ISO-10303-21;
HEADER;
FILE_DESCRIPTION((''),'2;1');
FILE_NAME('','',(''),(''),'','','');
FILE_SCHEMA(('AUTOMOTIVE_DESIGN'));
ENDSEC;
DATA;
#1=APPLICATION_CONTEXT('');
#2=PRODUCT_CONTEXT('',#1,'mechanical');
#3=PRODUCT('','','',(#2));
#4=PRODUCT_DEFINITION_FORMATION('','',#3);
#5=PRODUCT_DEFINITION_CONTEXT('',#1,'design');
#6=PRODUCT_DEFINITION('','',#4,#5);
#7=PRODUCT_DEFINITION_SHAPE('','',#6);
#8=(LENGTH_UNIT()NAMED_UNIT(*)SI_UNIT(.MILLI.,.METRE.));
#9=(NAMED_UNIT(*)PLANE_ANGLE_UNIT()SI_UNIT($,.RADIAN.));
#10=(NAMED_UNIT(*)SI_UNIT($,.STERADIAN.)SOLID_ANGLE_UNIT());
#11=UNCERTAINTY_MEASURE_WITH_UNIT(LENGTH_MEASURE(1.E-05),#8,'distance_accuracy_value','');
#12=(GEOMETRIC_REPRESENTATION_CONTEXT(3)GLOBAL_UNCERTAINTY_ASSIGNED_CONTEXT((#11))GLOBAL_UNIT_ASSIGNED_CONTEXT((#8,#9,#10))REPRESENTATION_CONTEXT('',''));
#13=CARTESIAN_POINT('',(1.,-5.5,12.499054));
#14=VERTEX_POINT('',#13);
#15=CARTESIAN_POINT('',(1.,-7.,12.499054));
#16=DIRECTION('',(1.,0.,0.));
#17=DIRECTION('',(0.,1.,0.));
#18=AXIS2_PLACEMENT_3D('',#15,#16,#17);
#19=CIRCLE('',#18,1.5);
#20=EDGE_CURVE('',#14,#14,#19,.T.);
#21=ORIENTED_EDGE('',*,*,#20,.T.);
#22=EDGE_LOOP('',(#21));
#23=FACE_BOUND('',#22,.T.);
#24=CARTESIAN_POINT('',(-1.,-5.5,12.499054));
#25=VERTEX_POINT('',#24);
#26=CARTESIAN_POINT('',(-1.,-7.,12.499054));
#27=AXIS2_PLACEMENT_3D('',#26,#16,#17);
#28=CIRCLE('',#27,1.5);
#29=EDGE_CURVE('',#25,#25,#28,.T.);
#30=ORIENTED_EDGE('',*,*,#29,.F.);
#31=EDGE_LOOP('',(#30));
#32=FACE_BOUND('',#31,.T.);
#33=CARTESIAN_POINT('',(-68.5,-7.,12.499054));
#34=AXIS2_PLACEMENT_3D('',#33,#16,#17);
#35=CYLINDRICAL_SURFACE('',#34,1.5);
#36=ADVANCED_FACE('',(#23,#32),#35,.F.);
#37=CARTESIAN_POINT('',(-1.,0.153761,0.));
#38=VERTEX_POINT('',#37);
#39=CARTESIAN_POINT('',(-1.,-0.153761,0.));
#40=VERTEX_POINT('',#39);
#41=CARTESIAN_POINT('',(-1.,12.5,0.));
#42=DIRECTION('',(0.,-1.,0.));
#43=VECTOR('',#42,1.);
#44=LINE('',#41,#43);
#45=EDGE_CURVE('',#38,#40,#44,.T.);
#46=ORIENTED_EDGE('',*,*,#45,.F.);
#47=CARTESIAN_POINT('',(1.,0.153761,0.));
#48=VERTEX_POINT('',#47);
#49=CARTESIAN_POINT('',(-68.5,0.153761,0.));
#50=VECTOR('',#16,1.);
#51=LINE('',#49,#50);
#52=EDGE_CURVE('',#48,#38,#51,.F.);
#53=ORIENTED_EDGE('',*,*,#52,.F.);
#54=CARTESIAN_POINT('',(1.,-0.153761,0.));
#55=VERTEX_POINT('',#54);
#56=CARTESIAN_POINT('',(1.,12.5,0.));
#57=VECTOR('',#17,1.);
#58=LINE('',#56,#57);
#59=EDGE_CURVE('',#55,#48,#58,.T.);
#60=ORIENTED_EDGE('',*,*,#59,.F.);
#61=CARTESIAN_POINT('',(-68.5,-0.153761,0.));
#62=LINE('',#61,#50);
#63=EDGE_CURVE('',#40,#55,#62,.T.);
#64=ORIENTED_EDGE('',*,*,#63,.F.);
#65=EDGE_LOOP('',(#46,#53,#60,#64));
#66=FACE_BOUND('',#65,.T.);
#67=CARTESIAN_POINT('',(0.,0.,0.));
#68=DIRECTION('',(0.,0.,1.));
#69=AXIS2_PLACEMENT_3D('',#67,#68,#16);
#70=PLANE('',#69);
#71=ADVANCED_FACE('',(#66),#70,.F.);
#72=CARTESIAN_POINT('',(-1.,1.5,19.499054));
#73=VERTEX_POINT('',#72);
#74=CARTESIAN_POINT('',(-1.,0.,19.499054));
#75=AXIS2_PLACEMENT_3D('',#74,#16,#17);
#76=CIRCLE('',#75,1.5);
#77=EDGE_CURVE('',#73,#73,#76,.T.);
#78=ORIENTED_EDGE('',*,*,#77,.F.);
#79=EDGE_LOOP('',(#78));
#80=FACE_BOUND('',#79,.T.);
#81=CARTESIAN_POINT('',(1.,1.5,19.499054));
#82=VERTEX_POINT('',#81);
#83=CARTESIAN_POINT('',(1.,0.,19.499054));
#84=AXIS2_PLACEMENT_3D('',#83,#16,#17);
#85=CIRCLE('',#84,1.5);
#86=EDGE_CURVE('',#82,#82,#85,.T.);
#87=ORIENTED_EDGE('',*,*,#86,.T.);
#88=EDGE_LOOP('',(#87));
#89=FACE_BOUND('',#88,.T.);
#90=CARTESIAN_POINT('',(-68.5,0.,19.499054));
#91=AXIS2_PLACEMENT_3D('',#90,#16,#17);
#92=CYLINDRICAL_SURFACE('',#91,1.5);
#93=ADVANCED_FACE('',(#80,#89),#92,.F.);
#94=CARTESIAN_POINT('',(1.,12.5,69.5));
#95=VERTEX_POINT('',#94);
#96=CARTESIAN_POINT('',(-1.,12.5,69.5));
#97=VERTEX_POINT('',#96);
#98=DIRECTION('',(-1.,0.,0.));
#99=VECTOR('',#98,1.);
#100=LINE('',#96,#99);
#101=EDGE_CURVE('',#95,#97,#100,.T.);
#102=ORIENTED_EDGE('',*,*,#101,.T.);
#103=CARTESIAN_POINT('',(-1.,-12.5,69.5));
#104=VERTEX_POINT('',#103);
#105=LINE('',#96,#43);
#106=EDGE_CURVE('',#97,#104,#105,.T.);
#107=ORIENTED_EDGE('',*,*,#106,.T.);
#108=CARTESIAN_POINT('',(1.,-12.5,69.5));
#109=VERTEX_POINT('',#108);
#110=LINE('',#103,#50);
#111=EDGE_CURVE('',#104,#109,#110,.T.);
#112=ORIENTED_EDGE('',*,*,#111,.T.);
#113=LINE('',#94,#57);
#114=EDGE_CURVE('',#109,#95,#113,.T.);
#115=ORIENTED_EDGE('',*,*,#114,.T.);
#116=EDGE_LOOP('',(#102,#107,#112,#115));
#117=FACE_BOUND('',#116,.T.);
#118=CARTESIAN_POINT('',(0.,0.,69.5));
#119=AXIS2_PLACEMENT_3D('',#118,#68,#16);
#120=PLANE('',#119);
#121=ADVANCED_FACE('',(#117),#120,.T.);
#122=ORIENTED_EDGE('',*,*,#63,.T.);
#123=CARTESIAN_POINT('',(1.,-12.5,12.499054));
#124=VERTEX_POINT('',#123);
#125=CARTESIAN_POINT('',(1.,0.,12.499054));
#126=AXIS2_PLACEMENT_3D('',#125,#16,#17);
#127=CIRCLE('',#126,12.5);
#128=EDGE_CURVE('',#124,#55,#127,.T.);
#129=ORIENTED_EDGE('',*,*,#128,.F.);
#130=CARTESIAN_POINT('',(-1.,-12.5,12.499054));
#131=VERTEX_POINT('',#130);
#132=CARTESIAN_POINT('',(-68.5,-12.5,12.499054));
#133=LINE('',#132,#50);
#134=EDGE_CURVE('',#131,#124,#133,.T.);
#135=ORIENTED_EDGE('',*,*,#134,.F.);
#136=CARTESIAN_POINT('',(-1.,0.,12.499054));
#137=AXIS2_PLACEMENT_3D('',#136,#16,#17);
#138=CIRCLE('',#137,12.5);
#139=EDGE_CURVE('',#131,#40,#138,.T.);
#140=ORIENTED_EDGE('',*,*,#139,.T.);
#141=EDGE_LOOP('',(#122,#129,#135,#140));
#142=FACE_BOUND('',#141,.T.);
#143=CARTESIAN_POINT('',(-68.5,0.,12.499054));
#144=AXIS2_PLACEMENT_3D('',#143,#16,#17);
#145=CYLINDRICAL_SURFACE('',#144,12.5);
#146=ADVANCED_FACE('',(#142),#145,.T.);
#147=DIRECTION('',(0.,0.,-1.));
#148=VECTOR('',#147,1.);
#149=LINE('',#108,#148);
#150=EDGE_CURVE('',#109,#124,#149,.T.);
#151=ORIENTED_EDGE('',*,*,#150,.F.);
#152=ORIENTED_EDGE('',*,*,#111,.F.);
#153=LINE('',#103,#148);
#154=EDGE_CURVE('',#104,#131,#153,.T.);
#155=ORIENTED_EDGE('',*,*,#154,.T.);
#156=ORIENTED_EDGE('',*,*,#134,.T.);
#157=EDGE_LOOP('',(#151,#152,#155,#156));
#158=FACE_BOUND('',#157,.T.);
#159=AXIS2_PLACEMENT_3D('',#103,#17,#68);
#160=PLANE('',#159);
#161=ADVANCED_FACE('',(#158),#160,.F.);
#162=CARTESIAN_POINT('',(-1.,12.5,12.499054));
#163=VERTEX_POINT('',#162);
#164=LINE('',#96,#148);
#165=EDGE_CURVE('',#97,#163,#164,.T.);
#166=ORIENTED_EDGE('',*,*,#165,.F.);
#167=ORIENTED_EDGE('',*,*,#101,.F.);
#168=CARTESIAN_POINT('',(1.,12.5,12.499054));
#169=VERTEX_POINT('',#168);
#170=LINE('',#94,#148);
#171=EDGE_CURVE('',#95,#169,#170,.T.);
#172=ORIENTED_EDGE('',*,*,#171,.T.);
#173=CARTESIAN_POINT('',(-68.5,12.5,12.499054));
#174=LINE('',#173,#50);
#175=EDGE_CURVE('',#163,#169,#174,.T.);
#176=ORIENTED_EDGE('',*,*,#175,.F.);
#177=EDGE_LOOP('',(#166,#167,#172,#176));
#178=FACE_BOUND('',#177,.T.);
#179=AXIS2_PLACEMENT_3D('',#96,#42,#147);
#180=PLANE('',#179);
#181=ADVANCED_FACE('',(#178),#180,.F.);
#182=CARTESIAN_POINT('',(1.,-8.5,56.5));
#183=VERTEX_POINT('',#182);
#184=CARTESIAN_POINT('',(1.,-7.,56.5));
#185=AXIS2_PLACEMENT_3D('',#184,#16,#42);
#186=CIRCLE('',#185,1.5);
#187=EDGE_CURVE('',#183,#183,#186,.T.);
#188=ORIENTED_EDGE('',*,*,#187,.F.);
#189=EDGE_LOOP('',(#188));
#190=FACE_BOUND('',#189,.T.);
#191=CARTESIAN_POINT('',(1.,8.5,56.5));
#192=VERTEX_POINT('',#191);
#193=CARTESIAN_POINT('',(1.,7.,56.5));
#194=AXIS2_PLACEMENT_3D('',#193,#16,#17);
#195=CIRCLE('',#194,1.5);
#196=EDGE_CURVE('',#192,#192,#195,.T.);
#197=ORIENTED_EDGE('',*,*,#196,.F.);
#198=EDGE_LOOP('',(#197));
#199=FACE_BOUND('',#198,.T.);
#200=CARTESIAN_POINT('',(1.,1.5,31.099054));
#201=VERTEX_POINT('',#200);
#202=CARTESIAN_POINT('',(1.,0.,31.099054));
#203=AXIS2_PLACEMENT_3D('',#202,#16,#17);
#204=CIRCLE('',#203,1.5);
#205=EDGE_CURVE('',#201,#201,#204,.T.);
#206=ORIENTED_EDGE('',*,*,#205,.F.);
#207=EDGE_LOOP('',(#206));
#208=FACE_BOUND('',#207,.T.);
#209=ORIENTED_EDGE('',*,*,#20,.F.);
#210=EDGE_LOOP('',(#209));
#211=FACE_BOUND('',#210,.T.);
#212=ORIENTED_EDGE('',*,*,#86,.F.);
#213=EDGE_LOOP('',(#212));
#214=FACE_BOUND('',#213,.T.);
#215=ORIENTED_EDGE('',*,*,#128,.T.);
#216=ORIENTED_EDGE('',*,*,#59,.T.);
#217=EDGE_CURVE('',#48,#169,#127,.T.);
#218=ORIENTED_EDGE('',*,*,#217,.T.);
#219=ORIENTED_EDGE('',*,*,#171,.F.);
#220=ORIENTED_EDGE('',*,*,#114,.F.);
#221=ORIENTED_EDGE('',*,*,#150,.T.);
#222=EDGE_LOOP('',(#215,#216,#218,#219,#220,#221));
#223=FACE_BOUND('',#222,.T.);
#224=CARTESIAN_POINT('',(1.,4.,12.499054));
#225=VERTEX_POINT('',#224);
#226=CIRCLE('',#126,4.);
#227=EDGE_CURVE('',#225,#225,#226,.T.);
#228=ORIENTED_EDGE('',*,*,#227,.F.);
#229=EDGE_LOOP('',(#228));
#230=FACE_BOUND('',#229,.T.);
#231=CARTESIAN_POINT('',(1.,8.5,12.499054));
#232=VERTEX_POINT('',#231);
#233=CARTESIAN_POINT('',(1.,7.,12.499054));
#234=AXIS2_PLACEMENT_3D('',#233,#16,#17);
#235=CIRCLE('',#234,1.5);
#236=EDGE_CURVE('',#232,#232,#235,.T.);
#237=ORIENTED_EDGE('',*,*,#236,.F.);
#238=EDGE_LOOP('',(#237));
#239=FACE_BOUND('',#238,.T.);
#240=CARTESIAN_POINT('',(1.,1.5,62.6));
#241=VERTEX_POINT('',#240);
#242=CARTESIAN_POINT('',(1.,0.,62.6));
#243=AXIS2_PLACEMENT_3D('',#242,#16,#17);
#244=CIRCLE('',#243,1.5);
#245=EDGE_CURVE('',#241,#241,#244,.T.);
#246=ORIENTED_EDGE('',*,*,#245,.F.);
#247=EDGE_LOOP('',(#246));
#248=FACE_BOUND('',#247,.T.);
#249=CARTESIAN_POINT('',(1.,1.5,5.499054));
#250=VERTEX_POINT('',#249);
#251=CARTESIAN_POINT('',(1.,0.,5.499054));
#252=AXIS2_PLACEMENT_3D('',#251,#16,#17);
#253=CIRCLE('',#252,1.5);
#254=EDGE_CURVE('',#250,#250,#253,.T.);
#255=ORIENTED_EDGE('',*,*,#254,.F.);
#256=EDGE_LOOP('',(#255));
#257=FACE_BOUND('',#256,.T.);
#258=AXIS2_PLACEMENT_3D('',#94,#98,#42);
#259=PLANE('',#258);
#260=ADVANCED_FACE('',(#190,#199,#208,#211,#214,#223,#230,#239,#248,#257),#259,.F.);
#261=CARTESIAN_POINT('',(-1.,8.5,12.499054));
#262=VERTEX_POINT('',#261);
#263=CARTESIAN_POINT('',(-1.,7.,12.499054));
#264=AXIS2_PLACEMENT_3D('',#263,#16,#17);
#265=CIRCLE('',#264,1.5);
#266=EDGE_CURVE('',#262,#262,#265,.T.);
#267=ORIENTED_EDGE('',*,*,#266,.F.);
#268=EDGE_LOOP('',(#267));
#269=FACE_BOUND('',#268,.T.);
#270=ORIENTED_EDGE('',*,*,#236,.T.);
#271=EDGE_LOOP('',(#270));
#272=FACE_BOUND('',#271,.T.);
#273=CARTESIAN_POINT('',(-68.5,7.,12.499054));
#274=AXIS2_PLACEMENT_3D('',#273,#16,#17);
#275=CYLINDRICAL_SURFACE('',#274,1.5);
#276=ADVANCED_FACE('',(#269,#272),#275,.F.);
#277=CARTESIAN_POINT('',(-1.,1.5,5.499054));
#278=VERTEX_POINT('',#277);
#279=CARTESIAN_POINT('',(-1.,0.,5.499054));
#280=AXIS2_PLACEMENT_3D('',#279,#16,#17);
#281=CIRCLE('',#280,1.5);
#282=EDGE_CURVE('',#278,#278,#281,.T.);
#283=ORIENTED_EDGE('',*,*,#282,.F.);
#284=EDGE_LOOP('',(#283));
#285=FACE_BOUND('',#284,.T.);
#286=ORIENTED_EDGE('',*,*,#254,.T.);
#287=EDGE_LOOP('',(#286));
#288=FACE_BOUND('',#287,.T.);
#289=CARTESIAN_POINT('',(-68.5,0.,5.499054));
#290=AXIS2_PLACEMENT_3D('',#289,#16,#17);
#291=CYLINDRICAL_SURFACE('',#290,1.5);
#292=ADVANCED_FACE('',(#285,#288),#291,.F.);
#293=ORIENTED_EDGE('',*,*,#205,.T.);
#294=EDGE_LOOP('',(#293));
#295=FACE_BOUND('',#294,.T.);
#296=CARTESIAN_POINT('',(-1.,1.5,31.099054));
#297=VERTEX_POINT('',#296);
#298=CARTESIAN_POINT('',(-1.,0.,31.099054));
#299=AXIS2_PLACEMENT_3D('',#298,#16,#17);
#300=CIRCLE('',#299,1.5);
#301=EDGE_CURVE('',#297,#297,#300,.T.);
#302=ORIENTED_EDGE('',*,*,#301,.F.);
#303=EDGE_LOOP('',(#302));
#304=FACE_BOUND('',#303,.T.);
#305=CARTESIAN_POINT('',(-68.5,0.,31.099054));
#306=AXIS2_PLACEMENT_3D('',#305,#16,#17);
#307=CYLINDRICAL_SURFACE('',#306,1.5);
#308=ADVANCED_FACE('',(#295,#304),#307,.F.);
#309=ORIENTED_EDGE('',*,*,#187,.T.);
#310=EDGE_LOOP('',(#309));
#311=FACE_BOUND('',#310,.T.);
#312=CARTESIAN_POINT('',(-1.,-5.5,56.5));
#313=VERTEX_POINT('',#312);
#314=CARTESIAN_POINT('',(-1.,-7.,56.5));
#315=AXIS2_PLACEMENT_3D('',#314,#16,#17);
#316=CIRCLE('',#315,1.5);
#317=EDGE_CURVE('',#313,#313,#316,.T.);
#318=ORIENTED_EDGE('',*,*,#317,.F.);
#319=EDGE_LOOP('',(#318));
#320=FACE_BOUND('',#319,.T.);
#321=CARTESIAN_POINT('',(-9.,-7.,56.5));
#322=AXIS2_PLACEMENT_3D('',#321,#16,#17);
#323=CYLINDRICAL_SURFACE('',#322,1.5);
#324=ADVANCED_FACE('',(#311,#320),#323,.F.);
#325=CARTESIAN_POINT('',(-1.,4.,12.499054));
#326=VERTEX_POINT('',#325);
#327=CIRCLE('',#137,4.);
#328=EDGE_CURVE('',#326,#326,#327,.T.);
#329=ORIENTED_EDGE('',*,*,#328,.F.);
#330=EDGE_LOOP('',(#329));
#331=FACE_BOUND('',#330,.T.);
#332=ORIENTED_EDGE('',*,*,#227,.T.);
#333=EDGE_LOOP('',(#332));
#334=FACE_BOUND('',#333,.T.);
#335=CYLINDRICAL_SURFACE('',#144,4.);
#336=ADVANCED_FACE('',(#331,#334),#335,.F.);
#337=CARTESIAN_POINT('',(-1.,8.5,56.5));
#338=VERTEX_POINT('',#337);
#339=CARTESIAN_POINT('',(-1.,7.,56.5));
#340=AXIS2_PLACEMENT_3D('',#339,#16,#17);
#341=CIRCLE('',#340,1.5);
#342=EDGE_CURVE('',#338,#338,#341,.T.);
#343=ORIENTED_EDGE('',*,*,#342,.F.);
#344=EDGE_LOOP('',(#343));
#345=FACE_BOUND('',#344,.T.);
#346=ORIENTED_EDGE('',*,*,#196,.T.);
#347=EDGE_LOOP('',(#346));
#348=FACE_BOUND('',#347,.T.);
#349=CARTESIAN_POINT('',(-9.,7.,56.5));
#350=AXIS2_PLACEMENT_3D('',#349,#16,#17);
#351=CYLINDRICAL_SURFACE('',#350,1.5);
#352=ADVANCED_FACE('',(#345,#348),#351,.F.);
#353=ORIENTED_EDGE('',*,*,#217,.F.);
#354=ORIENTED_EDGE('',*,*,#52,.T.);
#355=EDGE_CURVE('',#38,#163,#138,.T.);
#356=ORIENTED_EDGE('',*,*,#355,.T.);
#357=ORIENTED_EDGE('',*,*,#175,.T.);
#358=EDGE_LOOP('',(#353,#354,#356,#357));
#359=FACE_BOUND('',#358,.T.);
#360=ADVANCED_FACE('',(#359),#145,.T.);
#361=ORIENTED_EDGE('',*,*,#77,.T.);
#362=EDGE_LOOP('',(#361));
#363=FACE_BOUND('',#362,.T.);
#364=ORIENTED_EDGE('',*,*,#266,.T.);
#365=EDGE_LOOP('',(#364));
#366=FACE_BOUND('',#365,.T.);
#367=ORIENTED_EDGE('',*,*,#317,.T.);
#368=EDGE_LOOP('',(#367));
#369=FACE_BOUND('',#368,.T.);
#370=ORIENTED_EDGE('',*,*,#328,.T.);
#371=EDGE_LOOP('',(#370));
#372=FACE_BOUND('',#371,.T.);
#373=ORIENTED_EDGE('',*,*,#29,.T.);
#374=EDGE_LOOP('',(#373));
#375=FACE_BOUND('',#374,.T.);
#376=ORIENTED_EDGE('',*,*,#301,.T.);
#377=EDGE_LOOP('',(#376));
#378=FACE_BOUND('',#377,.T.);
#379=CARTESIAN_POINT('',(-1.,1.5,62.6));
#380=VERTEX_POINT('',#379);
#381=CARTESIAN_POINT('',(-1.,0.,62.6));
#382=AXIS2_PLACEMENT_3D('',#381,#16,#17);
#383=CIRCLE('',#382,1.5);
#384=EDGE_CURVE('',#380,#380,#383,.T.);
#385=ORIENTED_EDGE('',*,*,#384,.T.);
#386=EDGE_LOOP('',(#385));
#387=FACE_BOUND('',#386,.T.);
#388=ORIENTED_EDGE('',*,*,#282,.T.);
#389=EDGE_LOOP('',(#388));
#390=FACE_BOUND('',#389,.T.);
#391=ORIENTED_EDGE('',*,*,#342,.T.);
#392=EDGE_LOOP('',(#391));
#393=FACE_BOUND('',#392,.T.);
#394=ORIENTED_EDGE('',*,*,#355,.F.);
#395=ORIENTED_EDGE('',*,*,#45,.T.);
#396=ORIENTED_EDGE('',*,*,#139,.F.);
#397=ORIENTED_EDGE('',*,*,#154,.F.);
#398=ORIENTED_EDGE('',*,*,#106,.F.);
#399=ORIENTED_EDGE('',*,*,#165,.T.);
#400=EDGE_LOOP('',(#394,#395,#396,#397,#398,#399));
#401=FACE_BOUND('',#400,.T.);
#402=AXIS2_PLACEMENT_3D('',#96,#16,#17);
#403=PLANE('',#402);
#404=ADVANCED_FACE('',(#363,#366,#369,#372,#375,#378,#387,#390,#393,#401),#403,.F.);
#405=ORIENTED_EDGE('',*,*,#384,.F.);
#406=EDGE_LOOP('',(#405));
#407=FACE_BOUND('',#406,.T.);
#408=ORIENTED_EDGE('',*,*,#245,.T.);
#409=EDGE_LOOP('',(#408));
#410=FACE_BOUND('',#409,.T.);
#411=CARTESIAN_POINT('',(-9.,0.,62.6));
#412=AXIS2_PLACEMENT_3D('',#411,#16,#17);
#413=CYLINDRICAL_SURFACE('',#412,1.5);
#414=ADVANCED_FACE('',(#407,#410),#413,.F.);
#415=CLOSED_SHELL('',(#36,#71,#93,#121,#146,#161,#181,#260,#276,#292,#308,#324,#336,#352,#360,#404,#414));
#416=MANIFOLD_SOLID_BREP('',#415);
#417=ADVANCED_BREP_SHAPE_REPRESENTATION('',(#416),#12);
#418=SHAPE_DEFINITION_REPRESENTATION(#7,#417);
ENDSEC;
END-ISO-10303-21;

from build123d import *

# Parameters (mm, degrees)
SKETCH_1_W          = 2
SKETCH_1_H          = 25
EXTRUDE_1_DEPTH     = 69.5
SKETCH_2_R          = 1.5
SKETCH_2_R_2        = 4
CUT_EXTRUDE_2_DEPTH = 69.5
SKETCH_4_R          = 1.5
CUT_EXTRUDE_3_DEPTH = 10


with BuildPart() as part:
    # 草图1 → 凸台-拉伸1 (new body)
    with BuildSketch(Plane.XY):
        Rectangle(SKETCH_1_W, SKETCH_1_H)
    extrude(amount=EXTRUDE_1_DEPTH)

    # 草图2 → 切除-拉伸2 (cut)
    with BuildSketch(Plane(origin=(1, 0, 0), x_dir=(0, 0, -1), z_dir=(1, 0, 0))):
        with BuildLine():
            Line((0, 12.5), (-12.499054261, 12.5))
            ThreePointArc((-12.499054261, 12.5), (-3.714750597, 8.893031494), (0, 0.153761464))
            Line((0, 0.153761464), (0, 12.5))
        make_face()
        with BuildLine():
            Line((0, -12.5), (0, -0.153761464))
            ThreePointArc((0, -0.153761464), (-3.714750597, -8.893031494), (-12.499054261, -12.5))
            Line((-12.499054261, -12.5), (0, -12.5))
        make_face()
        with Locations(Location((-5.499054261, 0, 0), (0, 0, 90))):
            Circle(SKETCH_2_R)
        with Locations(Location((-12.499054261, 7, 0), (0, 0, 90))):
            Circle(SKETCH_2_R)
        with Locations(Location((-12.499054261, -7, 0), (0, 0, 90))):
            Circle(SKETCH_2_R)
        with Locations(Location((-19.499054261, 0, 0), (0, 0, 90))):
            Circle(SKETCH_2_R)
        with Locations(Location((-12.499054261, 0, 0), (0, 0, 90))):
            Circle(SKETCH_2_R_2)
        with Locations(Location((-31.099054261, 0, 0), (0, 0, 90))):
            Circle(SKETCH_2_R)
    extrude(amount=-CUT_EXTRUDE_2_DEPTH, mode=Mode.SUBTRACT)

    # 草图4 → 切除-拉伸3 (cut)
    with BuildSketch(Plane(origin=(1, 0, 0), x_dir=(0, 0, -1), z_dir=(1, 0, 0))):
        with Locations(Location((-62.6, 0, 0), (0, 0, 90))):
            Circle(SKETCH_4_R)
        with Locations(Location((-56.5, 7, 0), (0, 0, 90))):
            Circle(SKETCH_4_R)
        with Locations(Location((-56.5, -7, 0), (0, 0, 90))):
            Circle(SKETCH_4_R)
    extrude(amount=-CUT_EXTRUDE_3_DEPTH, mode=Mode.SUBTRACT)


solid = part.part
